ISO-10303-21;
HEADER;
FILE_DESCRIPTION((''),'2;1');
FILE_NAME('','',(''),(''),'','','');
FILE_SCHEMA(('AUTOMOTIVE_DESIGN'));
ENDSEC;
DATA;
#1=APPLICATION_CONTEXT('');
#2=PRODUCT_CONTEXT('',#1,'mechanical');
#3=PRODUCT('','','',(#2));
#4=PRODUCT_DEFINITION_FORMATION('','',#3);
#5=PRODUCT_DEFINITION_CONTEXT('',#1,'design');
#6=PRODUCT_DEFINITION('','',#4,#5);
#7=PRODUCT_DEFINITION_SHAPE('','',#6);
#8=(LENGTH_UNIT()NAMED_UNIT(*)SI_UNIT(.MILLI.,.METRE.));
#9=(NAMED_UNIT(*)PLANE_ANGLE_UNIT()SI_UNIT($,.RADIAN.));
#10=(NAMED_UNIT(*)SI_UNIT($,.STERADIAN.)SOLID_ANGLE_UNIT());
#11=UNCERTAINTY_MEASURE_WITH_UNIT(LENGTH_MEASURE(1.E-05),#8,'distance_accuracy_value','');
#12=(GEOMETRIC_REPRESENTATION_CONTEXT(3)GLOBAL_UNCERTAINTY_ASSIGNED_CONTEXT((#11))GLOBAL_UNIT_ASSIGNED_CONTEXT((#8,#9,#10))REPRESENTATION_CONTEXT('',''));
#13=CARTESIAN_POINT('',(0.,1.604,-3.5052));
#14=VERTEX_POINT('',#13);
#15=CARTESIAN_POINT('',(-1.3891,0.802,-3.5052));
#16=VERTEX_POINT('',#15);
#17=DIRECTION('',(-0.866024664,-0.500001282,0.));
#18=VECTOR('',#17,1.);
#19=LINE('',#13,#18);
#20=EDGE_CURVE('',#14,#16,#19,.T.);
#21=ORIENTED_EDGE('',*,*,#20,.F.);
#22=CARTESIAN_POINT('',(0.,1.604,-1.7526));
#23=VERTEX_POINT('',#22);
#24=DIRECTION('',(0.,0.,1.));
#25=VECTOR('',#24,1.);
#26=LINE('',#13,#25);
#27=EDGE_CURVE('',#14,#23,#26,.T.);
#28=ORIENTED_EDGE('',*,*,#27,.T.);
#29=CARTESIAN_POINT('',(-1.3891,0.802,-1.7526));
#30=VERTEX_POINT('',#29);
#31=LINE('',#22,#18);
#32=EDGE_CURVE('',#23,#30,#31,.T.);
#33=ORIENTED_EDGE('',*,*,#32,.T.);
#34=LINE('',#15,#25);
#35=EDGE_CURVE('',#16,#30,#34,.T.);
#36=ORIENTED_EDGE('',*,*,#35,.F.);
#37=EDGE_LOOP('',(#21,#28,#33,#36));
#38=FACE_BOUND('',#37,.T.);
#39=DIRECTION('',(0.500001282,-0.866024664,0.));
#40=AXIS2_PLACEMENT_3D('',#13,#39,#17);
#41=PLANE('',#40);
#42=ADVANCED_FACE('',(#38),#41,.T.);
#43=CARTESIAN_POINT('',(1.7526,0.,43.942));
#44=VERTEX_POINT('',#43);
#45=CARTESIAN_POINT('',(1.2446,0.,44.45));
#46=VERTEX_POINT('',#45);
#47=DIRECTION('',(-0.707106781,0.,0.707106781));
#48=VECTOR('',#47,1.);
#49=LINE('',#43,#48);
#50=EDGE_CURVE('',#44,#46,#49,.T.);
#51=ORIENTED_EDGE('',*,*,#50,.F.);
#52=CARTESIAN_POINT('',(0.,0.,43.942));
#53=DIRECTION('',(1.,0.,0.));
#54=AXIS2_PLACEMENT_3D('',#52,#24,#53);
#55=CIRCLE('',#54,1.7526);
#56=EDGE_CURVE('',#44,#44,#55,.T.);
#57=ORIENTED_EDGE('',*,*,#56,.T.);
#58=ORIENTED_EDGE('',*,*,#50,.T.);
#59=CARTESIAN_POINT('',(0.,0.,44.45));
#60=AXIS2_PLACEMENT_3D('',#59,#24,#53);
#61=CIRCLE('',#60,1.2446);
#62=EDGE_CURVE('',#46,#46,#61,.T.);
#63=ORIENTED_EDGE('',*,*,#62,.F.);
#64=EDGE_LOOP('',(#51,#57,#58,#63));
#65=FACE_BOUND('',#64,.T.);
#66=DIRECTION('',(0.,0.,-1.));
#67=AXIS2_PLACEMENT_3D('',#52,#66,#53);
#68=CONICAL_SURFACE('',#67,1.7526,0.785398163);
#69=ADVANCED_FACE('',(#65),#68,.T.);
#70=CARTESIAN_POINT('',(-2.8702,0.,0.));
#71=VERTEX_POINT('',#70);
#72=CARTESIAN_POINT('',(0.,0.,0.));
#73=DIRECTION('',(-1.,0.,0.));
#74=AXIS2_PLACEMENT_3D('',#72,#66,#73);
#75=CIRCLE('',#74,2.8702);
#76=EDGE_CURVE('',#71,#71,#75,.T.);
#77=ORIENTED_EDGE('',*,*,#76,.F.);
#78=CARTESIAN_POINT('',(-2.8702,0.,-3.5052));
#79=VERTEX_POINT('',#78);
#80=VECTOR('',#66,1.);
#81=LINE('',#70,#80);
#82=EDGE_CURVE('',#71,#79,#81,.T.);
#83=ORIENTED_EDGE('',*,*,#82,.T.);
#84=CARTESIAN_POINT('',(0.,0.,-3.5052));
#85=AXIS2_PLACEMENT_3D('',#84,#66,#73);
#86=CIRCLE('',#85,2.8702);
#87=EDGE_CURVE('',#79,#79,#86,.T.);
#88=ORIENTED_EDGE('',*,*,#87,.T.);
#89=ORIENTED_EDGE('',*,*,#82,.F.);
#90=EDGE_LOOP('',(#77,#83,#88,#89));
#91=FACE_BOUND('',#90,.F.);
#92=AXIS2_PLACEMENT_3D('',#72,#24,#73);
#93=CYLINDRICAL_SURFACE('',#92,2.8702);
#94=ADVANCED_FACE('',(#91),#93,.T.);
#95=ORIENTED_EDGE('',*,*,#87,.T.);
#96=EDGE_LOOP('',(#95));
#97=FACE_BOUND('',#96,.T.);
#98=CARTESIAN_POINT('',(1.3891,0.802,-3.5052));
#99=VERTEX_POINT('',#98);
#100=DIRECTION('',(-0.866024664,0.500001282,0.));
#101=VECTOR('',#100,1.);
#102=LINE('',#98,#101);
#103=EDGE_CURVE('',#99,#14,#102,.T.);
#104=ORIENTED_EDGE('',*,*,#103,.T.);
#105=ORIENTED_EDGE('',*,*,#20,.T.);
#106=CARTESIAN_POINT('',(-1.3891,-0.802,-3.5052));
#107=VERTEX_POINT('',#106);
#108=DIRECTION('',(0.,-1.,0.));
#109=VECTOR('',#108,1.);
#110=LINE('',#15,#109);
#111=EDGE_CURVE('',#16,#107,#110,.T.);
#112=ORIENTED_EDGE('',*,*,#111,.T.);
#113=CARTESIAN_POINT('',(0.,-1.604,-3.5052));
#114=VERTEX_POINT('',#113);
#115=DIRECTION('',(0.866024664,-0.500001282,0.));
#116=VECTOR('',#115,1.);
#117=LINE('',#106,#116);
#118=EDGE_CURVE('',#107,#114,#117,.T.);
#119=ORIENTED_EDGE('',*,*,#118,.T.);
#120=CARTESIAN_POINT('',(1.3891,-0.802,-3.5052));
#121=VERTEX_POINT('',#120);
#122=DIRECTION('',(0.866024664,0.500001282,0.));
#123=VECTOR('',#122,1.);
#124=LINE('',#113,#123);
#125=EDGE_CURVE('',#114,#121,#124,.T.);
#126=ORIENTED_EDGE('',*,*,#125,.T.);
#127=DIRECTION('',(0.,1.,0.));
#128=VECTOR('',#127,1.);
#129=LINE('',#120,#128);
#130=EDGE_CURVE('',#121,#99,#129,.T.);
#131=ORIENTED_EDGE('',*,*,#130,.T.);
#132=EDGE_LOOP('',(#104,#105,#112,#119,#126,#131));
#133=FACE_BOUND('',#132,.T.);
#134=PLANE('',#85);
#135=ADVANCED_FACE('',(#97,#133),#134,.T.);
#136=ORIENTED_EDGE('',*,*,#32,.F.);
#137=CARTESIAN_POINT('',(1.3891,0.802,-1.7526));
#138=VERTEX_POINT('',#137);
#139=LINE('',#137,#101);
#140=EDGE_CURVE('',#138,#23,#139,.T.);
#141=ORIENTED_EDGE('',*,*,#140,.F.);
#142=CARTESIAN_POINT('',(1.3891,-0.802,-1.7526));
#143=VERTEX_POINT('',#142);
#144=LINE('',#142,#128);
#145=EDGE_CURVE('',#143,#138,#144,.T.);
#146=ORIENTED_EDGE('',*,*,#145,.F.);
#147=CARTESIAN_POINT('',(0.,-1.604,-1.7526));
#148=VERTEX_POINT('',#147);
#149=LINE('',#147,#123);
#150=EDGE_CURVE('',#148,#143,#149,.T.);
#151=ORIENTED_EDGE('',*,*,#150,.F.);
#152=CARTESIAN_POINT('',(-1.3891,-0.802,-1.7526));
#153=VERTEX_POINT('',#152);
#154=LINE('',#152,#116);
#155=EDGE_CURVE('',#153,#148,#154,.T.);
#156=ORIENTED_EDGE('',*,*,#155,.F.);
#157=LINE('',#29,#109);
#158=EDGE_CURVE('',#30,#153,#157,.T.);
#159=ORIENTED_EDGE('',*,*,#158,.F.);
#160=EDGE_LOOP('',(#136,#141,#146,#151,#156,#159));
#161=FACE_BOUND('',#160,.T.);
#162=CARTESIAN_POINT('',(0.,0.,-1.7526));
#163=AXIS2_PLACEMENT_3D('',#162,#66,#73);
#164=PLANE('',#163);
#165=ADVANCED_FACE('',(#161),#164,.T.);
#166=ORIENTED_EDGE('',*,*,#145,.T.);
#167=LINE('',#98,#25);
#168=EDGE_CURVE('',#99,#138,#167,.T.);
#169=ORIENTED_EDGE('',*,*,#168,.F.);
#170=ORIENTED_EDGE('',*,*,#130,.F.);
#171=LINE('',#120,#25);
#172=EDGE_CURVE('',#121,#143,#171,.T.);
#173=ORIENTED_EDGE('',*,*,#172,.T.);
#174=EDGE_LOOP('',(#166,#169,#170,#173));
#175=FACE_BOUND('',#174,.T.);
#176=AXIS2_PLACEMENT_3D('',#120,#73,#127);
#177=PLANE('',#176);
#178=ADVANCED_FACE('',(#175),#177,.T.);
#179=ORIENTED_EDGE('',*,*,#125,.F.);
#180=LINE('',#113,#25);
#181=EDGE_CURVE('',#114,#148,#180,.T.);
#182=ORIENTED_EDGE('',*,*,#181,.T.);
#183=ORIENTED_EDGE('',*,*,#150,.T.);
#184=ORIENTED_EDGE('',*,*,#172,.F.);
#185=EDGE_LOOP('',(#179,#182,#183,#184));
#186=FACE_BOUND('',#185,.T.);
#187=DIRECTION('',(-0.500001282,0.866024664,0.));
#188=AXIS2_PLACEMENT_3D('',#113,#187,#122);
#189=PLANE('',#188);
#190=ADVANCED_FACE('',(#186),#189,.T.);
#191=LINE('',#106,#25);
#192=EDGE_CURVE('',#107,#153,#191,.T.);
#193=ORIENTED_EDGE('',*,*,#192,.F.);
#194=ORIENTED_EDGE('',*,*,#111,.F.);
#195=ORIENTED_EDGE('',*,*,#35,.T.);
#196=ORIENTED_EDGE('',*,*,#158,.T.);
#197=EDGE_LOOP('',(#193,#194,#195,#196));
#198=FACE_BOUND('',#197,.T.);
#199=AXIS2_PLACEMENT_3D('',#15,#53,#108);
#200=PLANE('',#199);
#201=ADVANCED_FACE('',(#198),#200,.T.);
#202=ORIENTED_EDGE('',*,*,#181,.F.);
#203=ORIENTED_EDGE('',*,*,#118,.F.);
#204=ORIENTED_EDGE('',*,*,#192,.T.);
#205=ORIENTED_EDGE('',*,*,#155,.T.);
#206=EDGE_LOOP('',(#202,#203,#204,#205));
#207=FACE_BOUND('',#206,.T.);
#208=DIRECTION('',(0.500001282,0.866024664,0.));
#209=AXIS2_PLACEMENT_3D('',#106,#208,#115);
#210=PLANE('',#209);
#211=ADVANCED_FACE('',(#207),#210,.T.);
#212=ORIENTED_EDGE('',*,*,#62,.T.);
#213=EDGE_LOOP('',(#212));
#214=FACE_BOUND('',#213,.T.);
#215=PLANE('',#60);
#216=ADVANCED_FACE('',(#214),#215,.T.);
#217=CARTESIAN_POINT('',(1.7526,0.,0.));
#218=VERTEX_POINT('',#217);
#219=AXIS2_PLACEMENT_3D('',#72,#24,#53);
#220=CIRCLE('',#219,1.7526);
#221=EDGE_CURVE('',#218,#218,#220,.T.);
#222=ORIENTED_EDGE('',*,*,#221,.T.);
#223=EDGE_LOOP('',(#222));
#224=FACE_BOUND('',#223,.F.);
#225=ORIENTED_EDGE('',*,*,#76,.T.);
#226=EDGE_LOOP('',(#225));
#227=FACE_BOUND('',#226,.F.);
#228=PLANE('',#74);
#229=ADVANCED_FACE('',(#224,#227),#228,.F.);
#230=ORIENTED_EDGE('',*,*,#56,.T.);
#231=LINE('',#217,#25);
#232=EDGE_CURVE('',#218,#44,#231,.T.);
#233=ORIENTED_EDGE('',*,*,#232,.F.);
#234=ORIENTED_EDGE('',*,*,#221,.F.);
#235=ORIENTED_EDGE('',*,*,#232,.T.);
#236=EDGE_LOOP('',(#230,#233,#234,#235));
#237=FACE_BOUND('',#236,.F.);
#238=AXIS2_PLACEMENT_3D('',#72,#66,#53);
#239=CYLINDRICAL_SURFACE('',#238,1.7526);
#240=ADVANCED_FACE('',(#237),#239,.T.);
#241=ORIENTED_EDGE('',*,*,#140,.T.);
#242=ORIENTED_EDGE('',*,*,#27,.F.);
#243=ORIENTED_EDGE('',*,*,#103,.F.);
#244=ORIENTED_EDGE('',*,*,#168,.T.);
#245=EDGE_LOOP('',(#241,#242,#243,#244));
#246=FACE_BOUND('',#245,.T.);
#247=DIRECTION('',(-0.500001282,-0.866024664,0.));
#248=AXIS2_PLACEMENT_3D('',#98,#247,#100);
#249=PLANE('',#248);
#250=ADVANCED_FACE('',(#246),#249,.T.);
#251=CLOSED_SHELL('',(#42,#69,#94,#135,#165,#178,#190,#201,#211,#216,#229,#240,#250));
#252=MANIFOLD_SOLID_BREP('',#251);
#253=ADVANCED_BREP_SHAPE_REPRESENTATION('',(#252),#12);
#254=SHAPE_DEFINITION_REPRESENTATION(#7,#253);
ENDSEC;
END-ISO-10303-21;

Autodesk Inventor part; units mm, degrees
ref_plane "YZ Plane" through (0, 0, 0) normal (1, 0, 0) x (0, 1, 0)
ref_plane "XZ Plane" through (0, 0, 0) normal (0, 1, 0) x (-1, 0, 0)
ref_plane "XY Plane" through (0, 0, 0) normal (0, 0, 1) x (1, 0, 0)
sketch "Sketch1" plane through (0, 0, 0) normal (0, 0, 1) x (1, 0, 0)
  circle A0 centre (0, 0) radius 1.7526
  dimension "d0" = 3.5052
extrude "Extrusion1" add sketch "Sketch1" along normal blind 44.45
sketch "Sketch2" plane through (0, 0, 0) normal (0, 0, -1) x (-1, 0, 0)
  circle A0 centre (0, 0) radius 1.7526 construction
  circle A1 centre (0, 0) radius 2.8702
  dimension "d3" = 5.7404
extrude "Extrusion2" add sketch "Sketch2" along normal blind 3.5052
sketch "Sketch3" plane through (0, 0, -3.5052) normal (0, 0, -1) x (-1, 0, 0)
  circle A0 centre (0, 0) radius 2.8702 projected
  line L0 (0, 1.604) -> (1.3891, 0.802)
  line L1 (1.3891, 0.802) -> (1.3891, -0.802)
  line L2 (1.3891, -0.802) -> (0, -1.604)
  line L3 (0, -1.604) -> (-1.3891, -0.802)
  line L4 (-1.3891, -0.802) -> (-1.3891, 0.802)
  line L5 (-1.3891, 0.802) -> (0, 1.604)
  dimension "d6" = 2.7781
extrude "Extrusion3" cut sketch "Sketch3" against normal blind 1.7526 contours L0 L1 L2 L3 L4 L5
chamfer "Chamfer1" distance 0.508 angle 45 1 edges at (-1.7526, 0, 44.45)
thread "Thread2" size "6-32 UNC" class "2A" standard "ANSI Unified Screw Threads" length 25.4
properties part number "6-32 SHCS x500" material "Stainless Steel"
